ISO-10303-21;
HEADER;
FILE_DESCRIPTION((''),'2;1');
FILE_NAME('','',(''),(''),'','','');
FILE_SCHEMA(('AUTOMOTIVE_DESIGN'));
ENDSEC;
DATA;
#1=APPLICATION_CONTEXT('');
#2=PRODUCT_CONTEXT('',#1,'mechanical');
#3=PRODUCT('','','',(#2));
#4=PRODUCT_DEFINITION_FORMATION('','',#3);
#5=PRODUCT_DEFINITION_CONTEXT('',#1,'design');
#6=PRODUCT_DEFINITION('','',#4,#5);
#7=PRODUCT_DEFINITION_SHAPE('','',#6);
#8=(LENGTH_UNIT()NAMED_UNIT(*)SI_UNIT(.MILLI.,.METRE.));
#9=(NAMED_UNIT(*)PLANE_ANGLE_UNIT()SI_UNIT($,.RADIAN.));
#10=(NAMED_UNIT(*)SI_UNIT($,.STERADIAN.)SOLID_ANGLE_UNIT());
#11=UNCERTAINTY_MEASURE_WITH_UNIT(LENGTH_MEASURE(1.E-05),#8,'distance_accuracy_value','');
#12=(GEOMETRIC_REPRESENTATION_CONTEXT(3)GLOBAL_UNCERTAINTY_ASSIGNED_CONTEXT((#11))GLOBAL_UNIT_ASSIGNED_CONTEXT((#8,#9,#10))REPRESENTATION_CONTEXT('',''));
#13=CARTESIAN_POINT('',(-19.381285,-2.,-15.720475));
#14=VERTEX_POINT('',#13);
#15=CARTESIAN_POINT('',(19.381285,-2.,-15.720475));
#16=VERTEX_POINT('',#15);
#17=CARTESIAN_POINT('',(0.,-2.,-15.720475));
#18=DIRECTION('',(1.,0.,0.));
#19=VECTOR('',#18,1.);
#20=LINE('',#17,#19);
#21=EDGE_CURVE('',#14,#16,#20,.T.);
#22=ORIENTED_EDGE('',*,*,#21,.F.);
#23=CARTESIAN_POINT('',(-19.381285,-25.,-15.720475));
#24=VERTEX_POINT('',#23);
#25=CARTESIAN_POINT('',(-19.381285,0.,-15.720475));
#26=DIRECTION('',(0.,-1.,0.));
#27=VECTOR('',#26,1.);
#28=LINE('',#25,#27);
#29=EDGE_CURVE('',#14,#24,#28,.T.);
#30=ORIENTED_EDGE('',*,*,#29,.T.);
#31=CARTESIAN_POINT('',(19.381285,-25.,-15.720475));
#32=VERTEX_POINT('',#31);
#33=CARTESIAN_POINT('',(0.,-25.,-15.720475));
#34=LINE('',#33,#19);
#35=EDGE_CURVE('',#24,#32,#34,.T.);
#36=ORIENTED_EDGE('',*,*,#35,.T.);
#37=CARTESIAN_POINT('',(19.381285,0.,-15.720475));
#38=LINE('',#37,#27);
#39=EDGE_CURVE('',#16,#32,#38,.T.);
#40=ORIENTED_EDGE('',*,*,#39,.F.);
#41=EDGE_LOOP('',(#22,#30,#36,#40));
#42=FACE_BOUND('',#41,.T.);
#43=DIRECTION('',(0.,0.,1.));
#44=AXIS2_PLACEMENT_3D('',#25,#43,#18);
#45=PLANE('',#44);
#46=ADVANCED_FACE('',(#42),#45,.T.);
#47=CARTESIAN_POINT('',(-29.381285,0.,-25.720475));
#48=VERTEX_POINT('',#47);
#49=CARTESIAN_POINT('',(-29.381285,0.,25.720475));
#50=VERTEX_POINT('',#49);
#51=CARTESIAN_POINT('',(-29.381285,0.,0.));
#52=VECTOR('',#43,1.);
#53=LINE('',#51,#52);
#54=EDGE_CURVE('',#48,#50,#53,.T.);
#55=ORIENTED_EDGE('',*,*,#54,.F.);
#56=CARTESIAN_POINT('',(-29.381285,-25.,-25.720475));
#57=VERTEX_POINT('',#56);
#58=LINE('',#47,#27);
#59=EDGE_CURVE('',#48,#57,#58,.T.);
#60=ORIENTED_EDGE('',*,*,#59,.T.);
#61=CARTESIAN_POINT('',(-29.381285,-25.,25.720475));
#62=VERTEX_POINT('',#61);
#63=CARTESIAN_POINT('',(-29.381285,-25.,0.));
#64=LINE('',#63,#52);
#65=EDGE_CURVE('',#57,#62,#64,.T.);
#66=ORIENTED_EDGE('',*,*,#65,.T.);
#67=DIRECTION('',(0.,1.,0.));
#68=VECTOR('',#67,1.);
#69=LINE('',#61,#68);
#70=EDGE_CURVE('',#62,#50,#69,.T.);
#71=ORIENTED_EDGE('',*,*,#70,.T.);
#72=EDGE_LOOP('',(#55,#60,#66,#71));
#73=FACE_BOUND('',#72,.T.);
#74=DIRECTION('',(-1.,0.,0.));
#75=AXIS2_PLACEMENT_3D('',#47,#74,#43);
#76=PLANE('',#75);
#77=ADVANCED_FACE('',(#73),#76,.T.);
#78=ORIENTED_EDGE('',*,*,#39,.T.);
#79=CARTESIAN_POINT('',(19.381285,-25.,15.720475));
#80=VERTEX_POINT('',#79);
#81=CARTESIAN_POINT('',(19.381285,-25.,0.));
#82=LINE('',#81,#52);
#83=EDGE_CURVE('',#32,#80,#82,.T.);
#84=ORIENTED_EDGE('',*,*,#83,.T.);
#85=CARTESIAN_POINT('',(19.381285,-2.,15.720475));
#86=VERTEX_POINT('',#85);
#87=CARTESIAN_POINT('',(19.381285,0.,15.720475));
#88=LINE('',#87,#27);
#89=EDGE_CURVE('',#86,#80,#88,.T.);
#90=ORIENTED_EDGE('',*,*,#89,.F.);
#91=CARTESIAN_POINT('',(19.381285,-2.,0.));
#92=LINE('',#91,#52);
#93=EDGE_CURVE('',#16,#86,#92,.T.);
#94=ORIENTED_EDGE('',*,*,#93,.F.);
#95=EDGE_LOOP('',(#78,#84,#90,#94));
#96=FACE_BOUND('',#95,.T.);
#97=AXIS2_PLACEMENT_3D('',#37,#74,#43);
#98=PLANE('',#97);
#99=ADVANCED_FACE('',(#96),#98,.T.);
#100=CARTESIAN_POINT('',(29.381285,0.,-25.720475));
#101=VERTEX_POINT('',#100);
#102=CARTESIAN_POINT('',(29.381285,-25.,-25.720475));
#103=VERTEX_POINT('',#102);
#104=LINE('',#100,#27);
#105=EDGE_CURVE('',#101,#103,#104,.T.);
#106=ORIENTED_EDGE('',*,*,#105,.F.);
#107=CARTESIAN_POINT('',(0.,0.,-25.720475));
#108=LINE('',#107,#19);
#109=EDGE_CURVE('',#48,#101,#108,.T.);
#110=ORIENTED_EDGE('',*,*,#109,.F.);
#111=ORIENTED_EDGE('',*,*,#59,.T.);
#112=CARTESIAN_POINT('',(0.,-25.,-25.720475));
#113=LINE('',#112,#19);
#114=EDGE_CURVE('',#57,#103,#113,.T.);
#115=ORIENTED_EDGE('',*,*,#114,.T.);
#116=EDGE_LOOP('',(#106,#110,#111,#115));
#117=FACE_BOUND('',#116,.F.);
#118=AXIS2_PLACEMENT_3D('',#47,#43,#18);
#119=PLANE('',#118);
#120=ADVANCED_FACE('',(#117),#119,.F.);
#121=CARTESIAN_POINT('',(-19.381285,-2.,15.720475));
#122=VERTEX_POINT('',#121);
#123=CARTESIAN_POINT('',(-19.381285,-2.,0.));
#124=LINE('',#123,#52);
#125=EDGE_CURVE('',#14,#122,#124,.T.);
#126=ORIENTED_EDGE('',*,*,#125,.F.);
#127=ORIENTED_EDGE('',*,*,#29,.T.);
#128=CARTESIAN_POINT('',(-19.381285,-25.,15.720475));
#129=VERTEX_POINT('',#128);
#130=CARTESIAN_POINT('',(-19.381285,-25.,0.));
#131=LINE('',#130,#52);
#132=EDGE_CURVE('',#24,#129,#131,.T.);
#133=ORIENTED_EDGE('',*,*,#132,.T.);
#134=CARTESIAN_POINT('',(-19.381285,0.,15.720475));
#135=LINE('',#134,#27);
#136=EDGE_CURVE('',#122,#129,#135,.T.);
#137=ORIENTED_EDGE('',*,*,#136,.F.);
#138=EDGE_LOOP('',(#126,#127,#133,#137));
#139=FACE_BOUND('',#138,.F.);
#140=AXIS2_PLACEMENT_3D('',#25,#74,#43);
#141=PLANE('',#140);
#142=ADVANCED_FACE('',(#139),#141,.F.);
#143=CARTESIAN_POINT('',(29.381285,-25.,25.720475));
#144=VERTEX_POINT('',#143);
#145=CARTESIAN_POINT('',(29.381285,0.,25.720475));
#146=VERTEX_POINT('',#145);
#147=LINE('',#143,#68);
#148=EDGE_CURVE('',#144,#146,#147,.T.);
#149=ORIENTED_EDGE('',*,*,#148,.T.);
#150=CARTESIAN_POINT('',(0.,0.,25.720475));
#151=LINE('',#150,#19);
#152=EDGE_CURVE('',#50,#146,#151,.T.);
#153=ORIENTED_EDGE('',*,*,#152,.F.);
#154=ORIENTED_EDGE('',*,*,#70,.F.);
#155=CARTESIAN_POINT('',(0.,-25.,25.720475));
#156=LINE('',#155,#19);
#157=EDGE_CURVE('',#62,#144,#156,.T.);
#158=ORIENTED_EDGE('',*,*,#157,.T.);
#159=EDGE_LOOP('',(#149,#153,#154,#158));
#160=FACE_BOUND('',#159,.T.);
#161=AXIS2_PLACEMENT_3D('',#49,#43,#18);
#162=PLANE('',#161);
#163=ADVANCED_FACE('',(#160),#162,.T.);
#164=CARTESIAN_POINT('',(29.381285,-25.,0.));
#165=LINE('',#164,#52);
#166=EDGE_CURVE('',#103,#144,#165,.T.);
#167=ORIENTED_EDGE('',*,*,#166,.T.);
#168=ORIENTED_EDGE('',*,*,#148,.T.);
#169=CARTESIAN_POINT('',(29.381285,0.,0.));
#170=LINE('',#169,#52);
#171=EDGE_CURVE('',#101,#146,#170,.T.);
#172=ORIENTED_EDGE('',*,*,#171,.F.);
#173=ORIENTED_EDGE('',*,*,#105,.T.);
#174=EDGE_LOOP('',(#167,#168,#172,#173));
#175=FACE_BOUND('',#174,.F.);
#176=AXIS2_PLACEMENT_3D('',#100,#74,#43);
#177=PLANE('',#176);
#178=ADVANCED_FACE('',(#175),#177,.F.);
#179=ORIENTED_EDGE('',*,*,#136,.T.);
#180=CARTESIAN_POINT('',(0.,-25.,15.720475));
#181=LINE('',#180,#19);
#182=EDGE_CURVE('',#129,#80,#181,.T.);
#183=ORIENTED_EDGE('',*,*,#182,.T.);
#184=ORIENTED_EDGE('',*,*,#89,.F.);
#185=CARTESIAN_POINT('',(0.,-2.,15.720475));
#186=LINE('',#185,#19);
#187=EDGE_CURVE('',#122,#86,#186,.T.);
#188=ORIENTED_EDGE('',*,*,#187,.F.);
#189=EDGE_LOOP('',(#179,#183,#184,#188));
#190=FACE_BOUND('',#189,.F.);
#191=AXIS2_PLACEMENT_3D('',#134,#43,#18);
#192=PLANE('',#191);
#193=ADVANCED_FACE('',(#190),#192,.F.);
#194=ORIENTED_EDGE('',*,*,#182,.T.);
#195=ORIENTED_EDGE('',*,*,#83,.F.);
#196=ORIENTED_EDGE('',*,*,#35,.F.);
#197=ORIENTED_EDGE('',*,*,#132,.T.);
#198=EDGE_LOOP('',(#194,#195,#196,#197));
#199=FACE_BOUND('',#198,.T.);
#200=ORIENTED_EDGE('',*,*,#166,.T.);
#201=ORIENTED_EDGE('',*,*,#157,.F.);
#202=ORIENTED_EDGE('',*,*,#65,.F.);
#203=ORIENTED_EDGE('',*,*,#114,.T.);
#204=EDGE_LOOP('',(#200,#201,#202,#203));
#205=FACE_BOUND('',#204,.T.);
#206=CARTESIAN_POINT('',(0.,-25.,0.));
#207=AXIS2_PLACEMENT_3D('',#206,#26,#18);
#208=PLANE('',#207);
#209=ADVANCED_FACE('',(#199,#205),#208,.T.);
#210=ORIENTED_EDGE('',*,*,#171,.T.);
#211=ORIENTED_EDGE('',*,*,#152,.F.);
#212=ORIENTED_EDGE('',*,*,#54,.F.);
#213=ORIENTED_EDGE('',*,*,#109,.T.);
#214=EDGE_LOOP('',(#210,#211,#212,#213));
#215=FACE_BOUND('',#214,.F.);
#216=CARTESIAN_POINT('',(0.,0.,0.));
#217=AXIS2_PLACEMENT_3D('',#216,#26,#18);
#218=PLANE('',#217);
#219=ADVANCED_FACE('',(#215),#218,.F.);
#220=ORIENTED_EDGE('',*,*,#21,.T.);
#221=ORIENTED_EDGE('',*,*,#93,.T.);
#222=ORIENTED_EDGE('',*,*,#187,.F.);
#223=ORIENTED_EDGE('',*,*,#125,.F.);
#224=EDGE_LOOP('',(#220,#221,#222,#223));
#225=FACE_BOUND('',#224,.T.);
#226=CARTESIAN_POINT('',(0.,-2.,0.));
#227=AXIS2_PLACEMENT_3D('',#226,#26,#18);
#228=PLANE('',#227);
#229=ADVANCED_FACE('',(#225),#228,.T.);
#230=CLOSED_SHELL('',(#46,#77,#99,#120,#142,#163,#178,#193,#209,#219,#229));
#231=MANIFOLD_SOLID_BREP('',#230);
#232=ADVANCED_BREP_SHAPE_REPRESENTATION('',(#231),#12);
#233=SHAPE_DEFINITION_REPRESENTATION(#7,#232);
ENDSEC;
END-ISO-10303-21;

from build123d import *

# Parameters (mm, degrees)
F1_W     = 58.76257
F1_H     = 51.44095
F1_W_2   = 38.76257
F1_H_2   = 31.44095
F2_DEPTH = 25
F0_W     = 58.76257
F0_H     = 51.44095
F0_W_2   = 38.76257
F0_H_2   = 31.44095
F3_DEPTH = 2


with BuildPart() as f2:
    # F1 (on face) → F2 (new body)
    with BuildSketch(Plane.XZ):
        Rectangle(F1_W, F1_H)
        Rectangle(F1_W_2, F1_H_2, mode=Mode.SUBTRACT)
    extrude(amount=F2_DEPTH)

    # F0 (on Front) + F1 (on face) → F3 (join)
    with BuildSketch(Plane.XZ):
        Rectangle(F0_W, F0_H)
        Rectangle(F0_W_2, F0_H_2, mode=Mode.SUBTRACT)
    with BuildSketch(Plane.XZ):
        Rectangle(F1_W_2, F1_H_2)
    extrude(amount=F3_DEPTH)


solid = f2.part
